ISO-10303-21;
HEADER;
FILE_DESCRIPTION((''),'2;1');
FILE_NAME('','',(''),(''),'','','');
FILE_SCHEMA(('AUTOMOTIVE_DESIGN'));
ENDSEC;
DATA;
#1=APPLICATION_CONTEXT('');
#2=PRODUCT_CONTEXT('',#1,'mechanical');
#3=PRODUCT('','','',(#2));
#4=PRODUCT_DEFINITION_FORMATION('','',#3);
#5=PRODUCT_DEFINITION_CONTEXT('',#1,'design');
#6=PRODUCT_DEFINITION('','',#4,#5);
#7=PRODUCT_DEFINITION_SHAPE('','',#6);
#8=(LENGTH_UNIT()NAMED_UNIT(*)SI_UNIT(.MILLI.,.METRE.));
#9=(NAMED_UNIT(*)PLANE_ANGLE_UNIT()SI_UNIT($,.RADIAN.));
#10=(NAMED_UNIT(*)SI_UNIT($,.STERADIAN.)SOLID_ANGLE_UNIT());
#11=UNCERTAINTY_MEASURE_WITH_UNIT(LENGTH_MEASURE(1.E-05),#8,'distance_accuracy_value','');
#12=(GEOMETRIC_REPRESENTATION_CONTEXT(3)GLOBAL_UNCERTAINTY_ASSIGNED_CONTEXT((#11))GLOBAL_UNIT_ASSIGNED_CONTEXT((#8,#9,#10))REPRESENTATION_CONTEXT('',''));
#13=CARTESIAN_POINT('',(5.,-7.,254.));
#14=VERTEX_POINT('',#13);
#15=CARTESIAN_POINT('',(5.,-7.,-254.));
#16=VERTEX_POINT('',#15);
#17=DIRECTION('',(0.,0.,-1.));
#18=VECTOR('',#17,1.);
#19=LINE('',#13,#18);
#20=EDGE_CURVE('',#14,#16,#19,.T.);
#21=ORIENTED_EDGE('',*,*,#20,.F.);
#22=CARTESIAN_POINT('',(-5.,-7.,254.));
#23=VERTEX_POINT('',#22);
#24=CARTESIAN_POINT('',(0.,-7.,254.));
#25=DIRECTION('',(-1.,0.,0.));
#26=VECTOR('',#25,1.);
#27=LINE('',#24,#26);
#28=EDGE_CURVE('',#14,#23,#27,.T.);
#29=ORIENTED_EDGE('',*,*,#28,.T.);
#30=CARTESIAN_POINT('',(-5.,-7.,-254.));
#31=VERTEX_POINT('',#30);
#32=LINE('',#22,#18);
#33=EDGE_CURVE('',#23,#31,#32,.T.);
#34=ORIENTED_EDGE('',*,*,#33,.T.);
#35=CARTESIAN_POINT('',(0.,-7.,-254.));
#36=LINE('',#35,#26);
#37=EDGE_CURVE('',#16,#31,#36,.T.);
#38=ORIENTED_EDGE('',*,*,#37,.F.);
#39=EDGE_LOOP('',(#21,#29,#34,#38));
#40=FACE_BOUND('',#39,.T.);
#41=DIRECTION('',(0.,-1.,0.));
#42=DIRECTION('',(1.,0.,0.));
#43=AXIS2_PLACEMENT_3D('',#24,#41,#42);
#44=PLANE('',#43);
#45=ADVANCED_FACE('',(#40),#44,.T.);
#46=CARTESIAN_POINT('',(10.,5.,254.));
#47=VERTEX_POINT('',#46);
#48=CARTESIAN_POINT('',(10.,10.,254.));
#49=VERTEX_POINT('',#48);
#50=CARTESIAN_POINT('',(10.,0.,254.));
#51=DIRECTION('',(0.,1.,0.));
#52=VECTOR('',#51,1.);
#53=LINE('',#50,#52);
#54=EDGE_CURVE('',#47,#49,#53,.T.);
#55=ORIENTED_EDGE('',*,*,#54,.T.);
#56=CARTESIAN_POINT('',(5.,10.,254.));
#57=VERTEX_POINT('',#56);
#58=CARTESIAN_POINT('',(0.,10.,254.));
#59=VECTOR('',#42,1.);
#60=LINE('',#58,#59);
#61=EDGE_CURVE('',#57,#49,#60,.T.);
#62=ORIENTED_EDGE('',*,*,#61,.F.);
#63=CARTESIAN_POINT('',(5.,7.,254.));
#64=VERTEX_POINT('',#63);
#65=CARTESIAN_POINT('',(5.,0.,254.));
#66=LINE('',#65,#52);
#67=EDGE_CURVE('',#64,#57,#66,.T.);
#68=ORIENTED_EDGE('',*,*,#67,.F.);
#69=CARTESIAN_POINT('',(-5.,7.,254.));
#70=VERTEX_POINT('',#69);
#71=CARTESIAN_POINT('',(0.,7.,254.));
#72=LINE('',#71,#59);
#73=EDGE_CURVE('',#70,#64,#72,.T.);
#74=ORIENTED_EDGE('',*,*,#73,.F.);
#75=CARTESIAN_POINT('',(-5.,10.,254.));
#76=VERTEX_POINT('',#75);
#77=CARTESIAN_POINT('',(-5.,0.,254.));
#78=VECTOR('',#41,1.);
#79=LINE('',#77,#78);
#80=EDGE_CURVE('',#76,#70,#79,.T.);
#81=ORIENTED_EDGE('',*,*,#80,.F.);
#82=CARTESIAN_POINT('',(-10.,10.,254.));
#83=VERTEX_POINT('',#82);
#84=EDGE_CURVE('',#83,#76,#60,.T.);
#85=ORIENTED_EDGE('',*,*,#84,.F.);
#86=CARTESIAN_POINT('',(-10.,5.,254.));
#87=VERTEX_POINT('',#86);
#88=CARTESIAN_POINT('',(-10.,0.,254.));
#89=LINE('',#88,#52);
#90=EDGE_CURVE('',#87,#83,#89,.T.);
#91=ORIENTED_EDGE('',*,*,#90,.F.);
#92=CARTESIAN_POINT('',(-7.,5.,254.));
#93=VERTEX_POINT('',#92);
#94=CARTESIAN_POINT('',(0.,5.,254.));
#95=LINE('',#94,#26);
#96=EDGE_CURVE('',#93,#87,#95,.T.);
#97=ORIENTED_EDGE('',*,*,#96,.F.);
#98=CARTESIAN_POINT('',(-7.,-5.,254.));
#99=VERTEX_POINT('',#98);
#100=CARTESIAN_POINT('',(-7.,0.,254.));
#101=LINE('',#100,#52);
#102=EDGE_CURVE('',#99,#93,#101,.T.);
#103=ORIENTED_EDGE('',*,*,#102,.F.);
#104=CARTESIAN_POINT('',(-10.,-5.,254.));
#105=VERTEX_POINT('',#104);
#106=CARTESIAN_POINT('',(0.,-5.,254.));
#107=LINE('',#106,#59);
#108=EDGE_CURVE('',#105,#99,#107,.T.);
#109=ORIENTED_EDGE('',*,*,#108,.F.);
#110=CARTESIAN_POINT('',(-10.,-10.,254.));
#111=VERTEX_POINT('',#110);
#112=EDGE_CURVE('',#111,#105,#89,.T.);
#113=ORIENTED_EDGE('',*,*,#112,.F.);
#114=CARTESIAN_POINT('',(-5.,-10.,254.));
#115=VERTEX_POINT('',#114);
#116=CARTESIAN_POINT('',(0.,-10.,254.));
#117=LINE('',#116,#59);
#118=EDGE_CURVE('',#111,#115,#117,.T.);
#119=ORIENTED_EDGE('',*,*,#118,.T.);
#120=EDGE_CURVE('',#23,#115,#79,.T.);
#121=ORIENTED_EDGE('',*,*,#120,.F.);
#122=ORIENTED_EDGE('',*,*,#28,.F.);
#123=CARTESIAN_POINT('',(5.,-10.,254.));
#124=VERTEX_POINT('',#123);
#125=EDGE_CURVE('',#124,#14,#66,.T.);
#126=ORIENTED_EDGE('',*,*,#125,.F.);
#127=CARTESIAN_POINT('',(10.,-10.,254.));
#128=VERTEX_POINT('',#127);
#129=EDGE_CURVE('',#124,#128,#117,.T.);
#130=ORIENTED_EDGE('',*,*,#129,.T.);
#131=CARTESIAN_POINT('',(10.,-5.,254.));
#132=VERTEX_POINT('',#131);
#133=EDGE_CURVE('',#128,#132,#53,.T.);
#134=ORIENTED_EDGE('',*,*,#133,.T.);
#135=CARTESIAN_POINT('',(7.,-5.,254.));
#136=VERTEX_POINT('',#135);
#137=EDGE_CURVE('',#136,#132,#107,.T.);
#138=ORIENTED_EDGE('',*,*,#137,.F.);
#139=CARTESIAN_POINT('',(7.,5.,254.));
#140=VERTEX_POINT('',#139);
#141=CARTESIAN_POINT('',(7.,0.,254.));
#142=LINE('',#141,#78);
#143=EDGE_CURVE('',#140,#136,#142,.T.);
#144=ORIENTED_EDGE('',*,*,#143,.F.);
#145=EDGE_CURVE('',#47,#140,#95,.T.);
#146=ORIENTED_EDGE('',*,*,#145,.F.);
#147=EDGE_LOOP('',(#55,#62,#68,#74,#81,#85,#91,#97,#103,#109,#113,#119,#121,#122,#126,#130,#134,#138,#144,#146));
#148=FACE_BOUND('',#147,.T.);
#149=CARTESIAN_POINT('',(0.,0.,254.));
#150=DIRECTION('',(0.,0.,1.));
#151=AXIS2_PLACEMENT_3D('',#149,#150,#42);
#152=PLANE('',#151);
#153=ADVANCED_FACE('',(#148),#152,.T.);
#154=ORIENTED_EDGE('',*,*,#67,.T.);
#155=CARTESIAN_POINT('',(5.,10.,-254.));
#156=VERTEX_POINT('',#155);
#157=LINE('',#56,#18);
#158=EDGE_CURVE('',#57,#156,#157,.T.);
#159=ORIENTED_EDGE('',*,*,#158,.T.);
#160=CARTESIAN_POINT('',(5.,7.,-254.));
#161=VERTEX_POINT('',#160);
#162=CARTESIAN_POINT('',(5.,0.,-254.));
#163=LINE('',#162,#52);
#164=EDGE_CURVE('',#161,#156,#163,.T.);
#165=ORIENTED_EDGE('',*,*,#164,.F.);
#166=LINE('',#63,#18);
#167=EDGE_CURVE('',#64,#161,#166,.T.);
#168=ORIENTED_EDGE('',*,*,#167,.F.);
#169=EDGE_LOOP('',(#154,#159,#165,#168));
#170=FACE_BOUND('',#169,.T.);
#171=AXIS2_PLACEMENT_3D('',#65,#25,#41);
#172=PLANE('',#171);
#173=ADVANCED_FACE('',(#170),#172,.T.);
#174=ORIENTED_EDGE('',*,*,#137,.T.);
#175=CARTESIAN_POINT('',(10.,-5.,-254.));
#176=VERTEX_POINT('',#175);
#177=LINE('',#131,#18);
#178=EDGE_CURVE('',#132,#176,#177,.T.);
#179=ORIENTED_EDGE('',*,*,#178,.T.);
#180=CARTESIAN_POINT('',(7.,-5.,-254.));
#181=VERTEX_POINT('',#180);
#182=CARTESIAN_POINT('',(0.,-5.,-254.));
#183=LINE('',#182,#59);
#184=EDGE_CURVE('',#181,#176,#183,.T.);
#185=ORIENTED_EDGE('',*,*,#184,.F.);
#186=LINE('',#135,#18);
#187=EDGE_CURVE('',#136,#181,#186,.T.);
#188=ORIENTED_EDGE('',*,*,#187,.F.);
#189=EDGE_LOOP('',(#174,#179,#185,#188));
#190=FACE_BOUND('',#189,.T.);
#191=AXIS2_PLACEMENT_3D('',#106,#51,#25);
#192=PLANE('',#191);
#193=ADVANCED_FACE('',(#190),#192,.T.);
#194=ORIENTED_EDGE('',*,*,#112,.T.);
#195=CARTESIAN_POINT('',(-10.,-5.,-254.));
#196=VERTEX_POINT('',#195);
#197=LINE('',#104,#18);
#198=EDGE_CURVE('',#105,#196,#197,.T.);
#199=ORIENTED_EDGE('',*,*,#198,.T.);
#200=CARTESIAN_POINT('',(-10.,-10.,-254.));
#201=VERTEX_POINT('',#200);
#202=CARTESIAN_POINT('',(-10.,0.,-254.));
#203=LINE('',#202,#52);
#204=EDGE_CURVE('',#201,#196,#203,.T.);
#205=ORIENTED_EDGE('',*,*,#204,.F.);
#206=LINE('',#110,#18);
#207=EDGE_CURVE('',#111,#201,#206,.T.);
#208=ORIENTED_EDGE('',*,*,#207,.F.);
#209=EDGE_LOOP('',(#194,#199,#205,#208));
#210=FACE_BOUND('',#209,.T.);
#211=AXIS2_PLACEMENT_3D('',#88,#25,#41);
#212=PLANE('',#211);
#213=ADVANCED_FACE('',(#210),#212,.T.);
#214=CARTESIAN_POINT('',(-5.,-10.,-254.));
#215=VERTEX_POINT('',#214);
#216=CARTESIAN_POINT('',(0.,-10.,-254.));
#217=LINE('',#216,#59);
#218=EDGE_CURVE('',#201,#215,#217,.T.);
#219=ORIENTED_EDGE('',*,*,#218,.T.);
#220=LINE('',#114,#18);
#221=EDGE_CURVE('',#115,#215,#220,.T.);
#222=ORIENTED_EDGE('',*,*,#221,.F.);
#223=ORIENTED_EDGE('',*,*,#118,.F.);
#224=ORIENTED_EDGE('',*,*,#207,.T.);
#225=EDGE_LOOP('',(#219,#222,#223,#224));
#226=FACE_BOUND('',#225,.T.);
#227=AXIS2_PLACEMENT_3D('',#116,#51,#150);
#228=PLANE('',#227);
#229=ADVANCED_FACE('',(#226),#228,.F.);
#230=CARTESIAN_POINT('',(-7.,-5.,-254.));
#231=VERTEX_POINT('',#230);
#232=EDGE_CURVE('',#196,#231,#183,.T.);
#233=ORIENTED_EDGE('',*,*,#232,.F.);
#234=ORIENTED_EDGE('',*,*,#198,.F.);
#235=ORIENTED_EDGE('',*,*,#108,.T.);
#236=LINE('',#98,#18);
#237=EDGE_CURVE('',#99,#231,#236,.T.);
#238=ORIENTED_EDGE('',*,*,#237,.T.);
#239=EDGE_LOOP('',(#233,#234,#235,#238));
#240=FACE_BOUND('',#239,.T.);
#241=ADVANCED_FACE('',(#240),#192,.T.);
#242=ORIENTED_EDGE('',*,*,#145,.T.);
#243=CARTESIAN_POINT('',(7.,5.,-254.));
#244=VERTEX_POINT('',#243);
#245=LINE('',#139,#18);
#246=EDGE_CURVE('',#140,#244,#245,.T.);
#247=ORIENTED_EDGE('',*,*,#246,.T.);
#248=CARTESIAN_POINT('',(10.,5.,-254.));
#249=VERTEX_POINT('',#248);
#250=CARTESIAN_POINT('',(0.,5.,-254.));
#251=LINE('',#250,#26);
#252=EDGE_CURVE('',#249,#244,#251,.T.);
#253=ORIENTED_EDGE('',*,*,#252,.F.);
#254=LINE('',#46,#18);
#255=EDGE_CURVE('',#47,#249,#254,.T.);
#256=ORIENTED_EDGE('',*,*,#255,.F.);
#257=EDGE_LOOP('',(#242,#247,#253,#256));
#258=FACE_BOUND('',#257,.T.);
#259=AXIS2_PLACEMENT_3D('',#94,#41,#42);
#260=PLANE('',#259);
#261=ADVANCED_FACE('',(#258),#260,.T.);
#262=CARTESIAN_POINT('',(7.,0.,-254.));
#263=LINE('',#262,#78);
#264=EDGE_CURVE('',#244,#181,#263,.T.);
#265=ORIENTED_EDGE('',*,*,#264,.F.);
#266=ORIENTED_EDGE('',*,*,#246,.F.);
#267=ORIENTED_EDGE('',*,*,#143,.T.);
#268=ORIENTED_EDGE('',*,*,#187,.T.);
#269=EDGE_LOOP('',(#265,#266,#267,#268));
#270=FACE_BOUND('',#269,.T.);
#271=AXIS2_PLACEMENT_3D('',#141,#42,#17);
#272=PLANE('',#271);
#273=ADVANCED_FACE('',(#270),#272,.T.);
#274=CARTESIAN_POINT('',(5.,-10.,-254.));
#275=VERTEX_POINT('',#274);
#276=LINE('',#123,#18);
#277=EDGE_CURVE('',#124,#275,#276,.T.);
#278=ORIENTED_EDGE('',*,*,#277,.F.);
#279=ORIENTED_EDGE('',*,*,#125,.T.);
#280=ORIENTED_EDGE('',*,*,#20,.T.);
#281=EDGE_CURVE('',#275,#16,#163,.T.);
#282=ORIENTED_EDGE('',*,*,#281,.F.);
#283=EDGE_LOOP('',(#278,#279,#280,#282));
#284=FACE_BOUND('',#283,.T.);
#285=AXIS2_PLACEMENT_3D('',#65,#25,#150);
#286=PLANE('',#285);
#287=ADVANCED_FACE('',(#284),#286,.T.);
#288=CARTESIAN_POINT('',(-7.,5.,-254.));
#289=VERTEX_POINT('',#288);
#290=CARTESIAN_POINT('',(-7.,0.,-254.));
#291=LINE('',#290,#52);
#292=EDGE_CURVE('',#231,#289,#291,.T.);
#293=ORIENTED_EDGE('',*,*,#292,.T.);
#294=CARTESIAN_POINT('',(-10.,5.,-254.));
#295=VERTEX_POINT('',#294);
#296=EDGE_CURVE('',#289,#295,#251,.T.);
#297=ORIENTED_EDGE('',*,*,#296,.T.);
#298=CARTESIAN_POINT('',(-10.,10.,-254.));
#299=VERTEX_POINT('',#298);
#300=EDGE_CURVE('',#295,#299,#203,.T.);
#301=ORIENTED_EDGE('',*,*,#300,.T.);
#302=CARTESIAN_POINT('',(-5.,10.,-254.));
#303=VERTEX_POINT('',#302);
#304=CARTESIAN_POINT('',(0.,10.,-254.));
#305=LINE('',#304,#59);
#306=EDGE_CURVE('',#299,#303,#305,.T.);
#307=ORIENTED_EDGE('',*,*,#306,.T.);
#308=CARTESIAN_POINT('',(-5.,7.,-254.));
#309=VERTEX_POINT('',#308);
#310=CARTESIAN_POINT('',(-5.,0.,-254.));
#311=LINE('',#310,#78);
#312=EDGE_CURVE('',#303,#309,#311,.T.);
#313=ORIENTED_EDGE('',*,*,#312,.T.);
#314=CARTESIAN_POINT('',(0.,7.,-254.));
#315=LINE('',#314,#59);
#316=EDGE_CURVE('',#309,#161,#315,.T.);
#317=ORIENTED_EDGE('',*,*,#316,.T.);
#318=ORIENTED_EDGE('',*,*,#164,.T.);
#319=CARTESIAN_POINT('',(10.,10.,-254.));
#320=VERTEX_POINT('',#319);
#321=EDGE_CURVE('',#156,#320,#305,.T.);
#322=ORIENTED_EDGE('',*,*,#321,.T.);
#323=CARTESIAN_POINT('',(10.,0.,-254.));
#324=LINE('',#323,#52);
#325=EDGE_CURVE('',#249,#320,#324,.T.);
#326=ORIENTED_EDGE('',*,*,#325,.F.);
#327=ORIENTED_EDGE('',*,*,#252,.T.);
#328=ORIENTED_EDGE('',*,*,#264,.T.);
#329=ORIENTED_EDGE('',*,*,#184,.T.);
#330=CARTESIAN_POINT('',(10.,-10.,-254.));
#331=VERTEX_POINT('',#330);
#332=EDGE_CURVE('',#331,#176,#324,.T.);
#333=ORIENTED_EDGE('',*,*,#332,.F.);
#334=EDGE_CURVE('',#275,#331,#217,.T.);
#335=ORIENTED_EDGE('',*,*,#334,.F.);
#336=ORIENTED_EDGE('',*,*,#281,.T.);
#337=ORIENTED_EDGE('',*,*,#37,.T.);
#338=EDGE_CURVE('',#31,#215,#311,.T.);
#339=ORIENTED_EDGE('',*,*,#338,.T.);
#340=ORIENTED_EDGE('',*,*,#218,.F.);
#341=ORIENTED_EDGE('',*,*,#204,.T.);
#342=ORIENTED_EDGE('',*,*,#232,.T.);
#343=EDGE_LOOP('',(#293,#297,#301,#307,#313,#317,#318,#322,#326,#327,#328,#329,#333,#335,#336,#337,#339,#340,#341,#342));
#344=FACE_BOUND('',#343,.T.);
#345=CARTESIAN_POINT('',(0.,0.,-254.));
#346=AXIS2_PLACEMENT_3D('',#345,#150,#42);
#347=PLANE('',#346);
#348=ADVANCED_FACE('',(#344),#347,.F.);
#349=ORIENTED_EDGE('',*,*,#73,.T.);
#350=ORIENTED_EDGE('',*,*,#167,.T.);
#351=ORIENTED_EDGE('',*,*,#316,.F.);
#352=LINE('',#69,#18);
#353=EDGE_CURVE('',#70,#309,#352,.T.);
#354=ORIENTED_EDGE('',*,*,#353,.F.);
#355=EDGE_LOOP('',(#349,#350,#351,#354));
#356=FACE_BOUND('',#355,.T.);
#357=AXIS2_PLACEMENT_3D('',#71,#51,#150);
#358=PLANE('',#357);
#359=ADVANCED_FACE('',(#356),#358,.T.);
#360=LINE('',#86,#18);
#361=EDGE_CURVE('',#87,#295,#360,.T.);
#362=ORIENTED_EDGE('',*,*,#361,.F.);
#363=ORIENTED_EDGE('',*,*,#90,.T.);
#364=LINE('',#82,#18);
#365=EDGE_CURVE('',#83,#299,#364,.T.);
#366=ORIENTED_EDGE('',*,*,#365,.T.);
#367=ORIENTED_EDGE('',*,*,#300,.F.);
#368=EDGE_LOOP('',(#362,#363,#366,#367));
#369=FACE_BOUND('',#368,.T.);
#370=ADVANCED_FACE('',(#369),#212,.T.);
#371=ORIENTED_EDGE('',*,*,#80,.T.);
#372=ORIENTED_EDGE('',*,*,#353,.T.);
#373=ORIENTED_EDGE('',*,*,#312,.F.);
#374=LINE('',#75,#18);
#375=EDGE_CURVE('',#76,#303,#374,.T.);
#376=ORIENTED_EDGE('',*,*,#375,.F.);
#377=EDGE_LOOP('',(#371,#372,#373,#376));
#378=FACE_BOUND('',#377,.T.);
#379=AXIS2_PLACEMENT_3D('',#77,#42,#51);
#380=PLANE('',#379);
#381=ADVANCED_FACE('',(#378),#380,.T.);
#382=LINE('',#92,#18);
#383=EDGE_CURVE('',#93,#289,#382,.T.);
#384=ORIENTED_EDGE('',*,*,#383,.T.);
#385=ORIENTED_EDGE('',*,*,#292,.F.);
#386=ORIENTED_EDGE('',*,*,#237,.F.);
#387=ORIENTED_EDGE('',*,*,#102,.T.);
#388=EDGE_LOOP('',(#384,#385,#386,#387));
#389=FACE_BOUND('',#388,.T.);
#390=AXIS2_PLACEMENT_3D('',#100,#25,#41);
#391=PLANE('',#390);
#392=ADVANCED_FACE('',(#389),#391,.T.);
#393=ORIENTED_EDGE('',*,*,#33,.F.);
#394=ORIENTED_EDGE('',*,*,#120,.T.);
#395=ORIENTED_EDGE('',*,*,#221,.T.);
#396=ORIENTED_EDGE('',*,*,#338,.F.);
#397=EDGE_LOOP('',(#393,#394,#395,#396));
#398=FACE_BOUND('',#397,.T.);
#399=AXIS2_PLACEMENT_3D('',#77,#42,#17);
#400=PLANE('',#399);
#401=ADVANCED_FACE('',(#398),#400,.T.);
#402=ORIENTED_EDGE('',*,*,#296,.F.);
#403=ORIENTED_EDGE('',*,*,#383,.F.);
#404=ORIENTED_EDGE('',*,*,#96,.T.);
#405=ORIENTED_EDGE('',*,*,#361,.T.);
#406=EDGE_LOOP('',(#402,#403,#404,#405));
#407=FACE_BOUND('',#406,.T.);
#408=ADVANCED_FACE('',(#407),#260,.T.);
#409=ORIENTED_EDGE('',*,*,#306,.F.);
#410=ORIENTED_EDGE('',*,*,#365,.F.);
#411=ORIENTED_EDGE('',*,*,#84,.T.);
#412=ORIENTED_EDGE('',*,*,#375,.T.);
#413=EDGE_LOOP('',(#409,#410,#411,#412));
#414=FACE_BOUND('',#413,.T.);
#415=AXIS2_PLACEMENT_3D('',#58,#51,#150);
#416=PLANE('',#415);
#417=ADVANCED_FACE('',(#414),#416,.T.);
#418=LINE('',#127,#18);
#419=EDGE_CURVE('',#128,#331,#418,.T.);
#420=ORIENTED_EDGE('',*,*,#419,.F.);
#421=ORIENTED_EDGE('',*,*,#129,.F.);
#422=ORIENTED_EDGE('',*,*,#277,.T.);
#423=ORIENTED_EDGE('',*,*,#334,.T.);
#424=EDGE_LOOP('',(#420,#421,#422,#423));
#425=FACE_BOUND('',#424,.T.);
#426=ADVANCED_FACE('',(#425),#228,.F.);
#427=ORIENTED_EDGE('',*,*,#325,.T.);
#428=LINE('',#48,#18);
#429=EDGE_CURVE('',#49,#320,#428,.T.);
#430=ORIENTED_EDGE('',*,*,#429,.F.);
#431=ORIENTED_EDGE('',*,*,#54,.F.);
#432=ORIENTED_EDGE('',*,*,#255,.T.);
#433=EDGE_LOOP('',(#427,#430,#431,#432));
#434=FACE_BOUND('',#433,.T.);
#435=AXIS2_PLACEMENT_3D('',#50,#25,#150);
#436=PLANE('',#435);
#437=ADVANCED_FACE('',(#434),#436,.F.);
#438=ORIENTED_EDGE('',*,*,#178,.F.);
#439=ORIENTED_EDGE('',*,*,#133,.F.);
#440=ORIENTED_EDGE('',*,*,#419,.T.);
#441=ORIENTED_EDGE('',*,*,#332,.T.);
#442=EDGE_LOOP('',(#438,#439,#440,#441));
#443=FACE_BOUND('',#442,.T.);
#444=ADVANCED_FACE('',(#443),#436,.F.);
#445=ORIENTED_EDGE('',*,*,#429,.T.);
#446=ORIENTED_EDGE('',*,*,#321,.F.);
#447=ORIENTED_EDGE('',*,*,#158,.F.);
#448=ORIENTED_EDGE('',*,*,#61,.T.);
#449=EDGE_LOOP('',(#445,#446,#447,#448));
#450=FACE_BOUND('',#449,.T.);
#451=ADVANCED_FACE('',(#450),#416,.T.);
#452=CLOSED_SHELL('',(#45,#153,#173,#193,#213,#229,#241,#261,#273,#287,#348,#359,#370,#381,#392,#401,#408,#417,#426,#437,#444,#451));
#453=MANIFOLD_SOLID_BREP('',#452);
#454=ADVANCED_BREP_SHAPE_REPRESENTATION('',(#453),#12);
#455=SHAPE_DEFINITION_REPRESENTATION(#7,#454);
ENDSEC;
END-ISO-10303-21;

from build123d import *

# Parameters (mm, degrees)
EXTRUDE_1_DEPTH = 254


with BuildPart() as part:
    # 草图1 → 凸台-拉伸1 (new, symmetric)
    with BuildSketch(Plane.XY):
        Polygon((-5, 7), (-5, 10), (-10, 10), (-10, 5), (-7, 5), (-7, -5), (-10, -5), (-10, -10), (-5, -10), (-5, -7), (5, -7), (5, -10), (10, -10), (10, -5), (7, -5), (7, 5), (10, 5), (10, 10), (5, 10), (5, 7), align=None)
    extrude(amount=EXTRUDE_1_DEPTH, both=True)


solid = part.part
